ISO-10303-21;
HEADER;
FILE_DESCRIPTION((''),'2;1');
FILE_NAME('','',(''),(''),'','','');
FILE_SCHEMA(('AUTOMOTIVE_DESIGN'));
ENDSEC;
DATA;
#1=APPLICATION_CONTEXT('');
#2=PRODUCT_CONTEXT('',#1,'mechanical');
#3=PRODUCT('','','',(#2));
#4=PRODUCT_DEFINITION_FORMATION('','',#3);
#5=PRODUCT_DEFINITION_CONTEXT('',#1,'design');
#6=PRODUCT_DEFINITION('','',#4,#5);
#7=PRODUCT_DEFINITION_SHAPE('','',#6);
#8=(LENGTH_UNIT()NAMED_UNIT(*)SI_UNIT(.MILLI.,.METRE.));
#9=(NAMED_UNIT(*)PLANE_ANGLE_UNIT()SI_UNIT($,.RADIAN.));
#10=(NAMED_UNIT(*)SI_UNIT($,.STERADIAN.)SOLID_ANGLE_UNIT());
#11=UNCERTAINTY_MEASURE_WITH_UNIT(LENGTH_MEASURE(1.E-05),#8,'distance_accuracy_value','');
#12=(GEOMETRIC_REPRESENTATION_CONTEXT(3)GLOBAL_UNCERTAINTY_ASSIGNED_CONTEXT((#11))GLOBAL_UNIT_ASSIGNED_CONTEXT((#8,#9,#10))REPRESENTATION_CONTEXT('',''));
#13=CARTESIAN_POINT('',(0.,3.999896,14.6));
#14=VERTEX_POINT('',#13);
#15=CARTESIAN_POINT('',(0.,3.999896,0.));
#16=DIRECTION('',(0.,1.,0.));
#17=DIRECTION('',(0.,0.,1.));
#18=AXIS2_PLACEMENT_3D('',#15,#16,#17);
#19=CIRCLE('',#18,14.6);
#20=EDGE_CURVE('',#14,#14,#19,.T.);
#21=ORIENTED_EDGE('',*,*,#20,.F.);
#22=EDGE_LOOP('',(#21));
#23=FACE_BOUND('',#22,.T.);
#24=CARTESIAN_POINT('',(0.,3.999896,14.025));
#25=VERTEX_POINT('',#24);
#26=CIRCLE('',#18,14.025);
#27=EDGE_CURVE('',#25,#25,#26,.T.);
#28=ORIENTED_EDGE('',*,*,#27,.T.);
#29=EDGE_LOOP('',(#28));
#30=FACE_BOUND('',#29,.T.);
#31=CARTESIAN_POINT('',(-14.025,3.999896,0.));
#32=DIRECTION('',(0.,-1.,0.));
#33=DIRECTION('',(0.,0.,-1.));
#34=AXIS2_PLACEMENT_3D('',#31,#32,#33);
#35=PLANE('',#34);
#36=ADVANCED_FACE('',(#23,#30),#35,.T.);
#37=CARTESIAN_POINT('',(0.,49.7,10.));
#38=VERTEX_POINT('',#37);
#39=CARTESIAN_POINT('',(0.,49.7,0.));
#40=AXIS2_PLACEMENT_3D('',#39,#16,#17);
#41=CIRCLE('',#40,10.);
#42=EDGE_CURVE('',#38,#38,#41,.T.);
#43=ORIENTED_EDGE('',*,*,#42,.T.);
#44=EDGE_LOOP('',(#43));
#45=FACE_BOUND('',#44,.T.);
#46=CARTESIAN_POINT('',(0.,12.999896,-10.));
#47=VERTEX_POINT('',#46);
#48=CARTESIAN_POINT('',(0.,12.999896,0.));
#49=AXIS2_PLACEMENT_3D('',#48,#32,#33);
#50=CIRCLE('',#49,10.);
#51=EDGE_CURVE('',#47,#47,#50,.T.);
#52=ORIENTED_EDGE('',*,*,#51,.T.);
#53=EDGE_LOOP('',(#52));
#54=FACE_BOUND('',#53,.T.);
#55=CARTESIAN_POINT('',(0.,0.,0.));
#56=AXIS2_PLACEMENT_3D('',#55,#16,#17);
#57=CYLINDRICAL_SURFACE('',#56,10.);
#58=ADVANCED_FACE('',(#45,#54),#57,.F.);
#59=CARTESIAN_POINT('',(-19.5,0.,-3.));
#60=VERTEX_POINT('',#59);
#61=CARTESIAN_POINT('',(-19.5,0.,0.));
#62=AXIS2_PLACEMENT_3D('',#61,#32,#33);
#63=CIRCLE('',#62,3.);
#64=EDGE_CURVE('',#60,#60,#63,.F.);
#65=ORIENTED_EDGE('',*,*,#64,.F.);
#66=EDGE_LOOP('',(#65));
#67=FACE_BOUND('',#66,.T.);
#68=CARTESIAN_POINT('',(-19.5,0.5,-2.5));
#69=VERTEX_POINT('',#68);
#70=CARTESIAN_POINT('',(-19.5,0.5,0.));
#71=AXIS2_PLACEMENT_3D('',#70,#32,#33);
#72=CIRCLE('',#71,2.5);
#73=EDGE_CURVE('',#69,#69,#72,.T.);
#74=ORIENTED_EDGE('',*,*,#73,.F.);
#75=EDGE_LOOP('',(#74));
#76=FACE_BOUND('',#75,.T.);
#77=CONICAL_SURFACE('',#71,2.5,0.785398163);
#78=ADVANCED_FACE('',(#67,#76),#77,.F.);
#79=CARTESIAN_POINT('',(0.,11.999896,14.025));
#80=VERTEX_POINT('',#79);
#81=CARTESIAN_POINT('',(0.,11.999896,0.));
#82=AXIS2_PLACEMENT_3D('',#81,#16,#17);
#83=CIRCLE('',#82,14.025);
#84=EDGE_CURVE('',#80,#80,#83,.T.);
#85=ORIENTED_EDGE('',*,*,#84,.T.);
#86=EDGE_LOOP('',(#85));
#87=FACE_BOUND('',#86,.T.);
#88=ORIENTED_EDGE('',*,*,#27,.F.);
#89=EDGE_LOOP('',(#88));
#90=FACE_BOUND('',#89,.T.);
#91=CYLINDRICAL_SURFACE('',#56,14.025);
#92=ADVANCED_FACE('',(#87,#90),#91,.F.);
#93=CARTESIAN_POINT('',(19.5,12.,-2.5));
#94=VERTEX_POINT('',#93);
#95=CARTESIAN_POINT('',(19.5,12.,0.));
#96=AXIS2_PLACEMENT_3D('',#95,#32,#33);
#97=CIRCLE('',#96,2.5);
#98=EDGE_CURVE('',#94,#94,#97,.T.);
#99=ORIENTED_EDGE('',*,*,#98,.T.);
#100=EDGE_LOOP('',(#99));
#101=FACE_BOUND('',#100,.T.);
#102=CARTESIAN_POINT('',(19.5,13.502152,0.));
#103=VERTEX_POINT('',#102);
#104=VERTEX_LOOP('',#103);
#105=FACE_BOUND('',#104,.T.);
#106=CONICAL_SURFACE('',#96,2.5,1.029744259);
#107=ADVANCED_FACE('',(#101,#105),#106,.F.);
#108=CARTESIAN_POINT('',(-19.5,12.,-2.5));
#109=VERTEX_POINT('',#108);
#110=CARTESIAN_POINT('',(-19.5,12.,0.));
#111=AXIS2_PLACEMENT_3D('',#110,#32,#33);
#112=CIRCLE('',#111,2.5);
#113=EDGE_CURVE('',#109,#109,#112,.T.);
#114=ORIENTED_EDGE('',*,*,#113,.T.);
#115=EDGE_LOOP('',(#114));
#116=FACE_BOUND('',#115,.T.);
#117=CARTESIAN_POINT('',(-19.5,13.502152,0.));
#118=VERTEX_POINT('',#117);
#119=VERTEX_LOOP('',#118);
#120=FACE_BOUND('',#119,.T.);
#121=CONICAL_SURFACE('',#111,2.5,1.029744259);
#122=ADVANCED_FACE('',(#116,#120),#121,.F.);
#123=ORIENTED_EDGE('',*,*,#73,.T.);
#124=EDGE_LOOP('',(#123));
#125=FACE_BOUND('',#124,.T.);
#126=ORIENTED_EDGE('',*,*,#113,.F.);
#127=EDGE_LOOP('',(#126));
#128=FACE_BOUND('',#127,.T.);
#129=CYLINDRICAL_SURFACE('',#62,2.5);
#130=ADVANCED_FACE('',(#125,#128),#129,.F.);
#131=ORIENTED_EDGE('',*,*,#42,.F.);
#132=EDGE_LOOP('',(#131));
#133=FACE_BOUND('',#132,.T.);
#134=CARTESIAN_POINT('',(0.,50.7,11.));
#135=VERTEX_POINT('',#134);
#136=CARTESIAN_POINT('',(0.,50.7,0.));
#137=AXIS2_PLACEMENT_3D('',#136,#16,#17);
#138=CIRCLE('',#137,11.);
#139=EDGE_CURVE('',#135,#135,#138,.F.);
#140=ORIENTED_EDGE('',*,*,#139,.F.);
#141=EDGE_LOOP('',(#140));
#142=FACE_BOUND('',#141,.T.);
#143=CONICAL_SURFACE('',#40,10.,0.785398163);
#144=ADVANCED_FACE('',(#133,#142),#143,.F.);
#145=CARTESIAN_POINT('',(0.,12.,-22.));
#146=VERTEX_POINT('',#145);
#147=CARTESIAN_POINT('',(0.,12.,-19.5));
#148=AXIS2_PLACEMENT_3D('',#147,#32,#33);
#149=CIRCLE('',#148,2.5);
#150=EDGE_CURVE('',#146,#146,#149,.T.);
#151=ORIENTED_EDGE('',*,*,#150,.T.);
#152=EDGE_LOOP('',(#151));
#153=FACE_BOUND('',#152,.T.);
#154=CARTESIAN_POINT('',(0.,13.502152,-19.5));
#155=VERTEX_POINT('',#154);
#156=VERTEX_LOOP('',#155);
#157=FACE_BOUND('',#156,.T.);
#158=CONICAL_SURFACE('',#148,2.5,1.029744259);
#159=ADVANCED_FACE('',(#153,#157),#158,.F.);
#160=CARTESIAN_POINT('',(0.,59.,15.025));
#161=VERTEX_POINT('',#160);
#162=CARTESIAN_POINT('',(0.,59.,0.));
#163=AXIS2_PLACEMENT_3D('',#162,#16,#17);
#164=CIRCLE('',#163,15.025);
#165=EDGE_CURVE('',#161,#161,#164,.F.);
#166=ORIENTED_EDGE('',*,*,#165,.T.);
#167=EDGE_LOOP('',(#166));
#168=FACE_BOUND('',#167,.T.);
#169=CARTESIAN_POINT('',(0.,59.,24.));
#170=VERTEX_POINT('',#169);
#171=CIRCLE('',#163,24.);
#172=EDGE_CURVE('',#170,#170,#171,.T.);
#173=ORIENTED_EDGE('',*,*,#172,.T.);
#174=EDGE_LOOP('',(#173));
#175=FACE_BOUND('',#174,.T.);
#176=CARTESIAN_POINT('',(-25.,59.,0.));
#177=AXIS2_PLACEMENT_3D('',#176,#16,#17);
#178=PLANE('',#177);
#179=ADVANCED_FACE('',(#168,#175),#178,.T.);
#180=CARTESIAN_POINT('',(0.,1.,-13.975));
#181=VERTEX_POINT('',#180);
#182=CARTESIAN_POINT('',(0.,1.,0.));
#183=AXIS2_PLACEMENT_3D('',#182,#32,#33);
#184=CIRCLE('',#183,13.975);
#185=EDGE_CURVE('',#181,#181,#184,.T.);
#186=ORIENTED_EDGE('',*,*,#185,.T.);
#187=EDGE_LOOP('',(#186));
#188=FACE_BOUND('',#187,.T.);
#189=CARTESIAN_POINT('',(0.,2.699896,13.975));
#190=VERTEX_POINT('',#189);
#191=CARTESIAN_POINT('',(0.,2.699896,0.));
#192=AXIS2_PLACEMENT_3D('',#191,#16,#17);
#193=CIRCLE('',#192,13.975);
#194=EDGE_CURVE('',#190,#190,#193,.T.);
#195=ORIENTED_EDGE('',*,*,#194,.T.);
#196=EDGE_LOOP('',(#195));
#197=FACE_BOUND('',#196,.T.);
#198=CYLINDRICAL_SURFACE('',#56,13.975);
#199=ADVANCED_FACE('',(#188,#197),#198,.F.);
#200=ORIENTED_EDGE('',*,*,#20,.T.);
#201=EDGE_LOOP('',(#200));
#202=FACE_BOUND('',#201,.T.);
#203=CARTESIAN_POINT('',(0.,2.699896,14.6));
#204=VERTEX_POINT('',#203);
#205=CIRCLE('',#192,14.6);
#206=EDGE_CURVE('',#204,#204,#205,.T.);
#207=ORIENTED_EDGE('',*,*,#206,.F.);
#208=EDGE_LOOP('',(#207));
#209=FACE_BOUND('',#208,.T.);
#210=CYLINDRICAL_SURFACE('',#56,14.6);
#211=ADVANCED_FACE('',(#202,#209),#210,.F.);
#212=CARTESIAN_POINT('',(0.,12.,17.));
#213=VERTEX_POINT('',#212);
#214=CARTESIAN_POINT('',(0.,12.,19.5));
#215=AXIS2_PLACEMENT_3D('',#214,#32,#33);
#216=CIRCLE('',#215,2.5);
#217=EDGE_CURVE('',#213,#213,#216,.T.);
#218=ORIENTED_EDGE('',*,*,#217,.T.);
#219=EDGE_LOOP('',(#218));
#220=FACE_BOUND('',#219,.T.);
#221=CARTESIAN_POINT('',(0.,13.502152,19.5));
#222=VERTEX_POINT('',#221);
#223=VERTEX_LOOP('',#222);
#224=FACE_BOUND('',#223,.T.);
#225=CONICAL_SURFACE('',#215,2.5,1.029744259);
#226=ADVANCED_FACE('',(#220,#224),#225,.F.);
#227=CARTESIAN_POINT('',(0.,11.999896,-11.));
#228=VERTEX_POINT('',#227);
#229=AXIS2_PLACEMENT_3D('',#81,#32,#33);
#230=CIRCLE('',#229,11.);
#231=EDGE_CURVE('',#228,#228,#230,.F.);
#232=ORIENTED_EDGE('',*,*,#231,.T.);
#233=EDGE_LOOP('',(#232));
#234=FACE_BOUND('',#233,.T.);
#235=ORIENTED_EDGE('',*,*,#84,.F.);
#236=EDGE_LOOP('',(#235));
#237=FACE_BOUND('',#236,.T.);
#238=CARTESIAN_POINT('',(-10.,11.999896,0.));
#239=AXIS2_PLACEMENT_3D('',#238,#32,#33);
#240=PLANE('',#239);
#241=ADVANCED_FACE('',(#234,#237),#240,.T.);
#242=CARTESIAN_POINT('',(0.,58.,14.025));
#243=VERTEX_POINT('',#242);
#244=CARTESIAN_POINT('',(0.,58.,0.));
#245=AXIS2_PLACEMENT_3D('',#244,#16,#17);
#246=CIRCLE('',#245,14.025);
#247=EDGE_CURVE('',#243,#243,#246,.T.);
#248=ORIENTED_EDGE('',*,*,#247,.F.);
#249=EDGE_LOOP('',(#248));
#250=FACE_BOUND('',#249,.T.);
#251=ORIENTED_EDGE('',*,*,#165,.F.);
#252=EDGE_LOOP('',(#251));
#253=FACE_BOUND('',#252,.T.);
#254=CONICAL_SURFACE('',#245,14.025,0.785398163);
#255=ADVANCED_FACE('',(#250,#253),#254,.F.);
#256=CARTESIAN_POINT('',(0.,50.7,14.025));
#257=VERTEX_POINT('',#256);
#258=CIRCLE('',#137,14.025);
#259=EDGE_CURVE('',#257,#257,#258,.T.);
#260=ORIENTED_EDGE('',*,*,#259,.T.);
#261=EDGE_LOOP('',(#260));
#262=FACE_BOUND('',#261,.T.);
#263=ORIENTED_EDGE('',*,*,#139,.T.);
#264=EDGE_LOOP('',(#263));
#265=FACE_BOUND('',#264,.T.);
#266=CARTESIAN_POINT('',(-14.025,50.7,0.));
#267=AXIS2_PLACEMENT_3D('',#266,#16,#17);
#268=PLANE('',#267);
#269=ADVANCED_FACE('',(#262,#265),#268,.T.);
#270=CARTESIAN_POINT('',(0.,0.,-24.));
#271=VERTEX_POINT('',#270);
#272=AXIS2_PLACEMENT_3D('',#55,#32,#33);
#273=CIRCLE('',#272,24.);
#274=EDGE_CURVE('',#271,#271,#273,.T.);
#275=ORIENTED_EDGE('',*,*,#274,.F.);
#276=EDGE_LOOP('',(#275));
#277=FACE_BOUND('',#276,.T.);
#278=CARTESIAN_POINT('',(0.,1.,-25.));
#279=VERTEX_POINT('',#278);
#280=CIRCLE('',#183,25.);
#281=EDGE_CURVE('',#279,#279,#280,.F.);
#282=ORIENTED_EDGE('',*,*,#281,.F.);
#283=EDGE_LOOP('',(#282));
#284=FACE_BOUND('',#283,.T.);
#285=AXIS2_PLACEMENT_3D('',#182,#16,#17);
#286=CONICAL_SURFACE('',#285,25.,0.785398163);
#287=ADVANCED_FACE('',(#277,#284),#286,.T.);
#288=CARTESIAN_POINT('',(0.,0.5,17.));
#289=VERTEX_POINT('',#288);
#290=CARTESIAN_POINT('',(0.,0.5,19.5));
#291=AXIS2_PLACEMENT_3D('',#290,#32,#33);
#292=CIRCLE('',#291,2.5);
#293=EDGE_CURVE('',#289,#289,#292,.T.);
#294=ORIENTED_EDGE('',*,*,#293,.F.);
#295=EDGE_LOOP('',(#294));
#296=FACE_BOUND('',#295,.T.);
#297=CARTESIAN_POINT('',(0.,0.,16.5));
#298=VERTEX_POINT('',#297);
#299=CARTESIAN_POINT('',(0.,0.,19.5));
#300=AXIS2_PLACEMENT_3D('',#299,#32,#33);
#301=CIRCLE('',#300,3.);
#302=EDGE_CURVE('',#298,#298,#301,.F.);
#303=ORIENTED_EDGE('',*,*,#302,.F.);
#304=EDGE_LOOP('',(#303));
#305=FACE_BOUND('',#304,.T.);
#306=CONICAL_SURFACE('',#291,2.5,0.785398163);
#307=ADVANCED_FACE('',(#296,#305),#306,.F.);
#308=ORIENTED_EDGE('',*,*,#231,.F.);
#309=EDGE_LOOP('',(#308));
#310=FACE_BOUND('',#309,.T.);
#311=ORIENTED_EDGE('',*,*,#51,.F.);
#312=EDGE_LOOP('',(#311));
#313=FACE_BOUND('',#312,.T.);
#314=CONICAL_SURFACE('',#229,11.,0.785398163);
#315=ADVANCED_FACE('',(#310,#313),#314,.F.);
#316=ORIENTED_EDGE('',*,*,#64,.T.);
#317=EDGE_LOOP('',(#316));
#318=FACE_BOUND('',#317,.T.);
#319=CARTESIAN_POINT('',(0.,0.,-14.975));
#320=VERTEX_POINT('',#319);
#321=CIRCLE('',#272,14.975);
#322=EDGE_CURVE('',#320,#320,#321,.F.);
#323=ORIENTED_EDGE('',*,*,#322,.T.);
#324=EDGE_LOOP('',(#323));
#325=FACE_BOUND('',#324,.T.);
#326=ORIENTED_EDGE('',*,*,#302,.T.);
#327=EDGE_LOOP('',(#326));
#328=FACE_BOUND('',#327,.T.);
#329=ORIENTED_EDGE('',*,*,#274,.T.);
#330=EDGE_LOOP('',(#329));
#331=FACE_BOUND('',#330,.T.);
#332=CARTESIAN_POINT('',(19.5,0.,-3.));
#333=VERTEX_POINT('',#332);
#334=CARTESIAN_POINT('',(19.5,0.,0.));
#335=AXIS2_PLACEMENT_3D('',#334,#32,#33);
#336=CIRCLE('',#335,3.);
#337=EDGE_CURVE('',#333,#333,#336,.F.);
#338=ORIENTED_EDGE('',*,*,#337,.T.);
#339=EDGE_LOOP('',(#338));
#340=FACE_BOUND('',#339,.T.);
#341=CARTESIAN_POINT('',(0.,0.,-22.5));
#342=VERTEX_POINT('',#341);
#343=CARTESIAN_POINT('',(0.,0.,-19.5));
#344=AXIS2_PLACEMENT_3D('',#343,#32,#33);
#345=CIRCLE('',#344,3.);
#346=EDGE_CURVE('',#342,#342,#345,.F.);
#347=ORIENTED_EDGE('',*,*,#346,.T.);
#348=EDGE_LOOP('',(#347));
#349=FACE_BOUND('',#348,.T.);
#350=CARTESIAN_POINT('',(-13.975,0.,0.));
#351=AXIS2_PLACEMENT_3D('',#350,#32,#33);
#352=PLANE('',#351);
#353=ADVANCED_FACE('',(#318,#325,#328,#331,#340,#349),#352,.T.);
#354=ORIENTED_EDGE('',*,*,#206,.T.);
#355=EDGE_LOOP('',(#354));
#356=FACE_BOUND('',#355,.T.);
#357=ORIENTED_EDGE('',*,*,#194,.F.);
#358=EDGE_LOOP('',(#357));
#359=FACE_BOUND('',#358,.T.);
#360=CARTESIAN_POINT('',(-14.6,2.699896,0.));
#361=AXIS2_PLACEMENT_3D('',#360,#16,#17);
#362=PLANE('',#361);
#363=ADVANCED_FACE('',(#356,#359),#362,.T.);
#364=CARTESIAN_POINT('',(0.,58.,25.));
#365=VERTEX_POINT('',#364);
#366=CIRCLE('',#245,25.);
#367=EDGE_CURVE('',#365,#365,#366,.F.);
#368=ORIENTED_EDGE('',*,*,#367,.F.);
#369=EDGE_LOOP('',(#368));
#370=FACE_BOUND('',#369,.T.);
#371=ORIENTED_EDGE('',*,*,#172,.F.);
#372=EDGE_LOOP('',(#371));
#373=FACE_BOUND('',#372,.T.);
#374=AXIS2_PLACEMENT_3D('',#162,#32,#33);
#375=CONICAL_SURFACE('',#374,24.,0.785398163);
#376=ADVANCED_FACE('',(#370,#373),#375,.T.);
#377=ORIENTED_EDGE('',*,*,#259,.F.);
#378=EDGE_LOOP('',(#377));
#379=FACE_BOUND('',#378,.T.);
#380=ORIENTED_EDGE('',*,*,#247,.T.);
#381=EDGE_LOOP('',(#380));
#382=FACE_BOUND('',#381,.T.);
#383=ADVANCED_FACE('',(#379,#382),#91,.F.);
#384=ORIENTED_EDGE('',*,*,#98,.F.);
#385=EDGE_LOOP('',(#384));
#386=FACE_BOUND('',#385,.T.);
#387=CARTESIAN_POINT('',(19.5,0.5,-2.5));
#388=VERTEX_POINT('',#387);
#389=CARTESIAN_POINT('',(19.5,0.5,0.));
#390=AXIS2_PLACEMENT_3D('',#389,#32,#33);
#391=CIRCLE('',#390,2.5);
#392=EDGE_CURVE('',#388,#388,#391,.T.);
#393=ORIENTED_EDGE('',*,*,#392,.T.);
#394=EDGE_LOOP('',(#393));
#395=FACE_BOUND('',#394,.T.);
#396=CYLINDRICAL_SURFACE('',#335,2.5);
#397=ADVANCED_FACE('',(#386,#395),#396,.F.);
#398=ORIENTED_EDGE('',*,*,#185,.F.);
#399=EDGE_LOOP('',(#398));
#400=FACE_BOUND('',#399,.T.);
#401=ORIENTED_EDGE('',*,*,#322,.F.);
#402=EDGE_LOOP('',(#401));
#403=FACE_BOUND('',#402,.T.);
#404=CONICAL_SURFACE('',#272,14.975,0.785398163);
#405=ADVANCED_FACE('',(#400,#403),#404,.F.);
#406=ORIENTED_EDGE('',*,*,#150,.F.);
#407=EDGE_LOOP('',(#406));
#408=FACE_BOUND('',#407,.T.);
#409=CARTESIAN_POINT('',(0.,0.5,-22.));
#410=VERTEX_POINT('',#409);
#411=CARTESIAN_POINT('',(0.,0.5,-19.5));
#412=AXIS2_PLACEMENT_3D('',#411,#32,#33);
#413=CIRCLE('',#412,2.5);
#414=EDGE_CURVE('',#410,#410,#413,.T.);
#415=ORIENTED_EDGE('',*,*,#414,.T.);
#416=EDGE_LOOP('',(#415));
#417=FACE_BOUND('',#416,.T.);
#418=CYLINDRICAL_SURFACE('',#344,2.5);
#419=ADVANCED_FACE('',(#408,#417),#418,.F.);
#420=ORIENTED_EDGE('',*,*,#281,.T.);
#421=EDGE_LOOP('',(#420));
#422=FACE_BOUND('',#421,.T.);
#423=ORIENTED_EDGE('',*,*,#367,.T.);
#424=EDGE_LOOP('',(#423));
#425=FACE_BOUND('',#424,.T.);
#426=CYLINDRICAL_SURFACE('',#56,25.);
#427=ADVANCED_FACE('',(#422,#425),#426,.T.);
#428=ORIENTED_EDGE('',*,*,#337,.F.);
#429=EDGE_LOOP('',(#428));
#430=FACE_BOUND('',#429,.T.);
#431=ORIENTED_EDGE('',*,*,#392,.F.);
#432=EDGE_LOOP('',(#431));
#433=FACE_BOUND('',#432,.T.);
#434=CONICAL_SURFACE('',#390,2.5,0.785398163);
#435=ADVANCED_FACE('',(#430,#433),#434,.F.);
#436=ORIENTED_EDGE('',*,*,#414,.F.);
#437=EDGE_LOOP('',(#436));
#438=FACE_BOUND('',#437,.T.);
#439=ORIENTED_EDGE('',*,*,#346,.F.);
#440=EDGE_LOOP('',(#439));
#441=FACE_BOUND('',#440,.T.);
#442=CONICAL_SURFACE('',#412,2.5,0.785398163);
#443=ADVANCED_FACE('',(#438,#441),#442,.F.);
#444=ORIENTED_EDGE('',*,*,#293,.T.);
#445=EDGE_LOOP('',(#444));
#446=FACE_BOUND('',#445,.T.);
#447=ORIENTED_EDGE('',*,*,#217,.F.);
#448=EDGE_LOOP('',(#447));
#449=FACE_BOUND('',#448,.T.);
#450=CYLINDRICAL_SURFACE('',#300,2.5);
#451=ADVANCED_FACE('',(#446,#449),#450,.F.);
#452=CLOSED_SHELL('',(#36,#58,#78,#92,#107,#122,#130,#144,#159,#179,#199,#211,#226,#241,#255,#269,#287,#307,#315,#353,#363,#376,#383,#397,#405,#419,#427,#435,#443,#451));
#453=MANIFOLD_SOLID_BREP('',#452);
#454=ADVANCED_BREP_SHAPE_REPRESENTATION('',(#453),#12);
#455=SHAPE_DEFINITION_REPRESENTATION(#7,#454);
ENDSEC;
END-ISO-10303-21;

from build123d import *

# Parameters (mm, degrees)
ZKOSEN_1_SIZE   = 1
M6_Z_VIT1_D     = 5
M6_Z_VIT1_DEPTH = 12
M6_Z_VIT1_TIP   = 1.502151548
ZKOSEN_2_SIZE   = 1
ZKOSEN_3_SIZE   = 0.5


with BuildPart() as part:
    # Skica1 → Rotovat1 (revolve)
    with BuildSketch(Plane.XY, mode=Mode.PRIVATE) as rotovat1_sk:
        Polygon((-25, 0), (-25, 59), (-14.025, 59), (-14.025, 50.7), (-10, 50.7), (-10, 11.999895833), (-14.025, 11.999895833), (-14.025, 3.999895833), (-14.6, 3.999895833), (-14.6, 2.699895833), (-13.975, 2.699895833), (-13.975, 0), align=None)
    revolve(rotovat1_sk.sketch.rotate(Axis((0, 0, 0), (0, -1, 0)), 270), axis=Axis((0, 0, 0), (0, -1, 0)))

    # Zkosení1
    zkosen_1_edges = [part.edges().sort_by_distance(p)[0] for p in [
        (0, 11.999895833, -10),
        (0, 50.7, -10),
        (0, 59, -14.025),
        (0, 0, -13.975),
    ]]
    chamfer(zkosen_1_edges, length=ZKOSEN_1_SIZE)

    # M6 závit1
    with Locations(Plane(origin=(0, 0, 0), x_dir=(-1, 0, 0), z_dir=(0, -1, 0))):
        with Locations((0, 19.5), (19.5, 0), (0, -19.5), (-19.5, 0)):
            Hole(M6_Z_VIT1_D / 2, depth=M6_Z_VIT1_DEPTH)
            with Locations((0, 0, -(M6_Z_VIT1_DEPTH + M6_Z_VIT1_TIP / 2))):  # 118° drill point
                Cone(0, M6_Z_VIT1_D / 2, M6_Z_VIT1_TIP, mode=Mode.SUBTRACT)

    # Zkosení2
    zkosen_2_edges = [part.edges().sort_by_distance(p)[0] for p in [
        (0, 59, -25),
        (0, 0, -25),
    ]]
    chamfer(zkosen_2_edges, length=ZKOSEN_2_SIZE)

    # Zkosení3
    zkosen_3_edges = [part.edges().sort_by_distance(p)[0] for p in [
        (17, 0, 0),
        (-2.5, 0, 19.5),
        (-22, 0, 0),
        (-2.5, 0, -19.5),
    ]]
    chamfer(zkosen_3_edges, length=ZKOSEN_3_SIZE)


solid = part.part
